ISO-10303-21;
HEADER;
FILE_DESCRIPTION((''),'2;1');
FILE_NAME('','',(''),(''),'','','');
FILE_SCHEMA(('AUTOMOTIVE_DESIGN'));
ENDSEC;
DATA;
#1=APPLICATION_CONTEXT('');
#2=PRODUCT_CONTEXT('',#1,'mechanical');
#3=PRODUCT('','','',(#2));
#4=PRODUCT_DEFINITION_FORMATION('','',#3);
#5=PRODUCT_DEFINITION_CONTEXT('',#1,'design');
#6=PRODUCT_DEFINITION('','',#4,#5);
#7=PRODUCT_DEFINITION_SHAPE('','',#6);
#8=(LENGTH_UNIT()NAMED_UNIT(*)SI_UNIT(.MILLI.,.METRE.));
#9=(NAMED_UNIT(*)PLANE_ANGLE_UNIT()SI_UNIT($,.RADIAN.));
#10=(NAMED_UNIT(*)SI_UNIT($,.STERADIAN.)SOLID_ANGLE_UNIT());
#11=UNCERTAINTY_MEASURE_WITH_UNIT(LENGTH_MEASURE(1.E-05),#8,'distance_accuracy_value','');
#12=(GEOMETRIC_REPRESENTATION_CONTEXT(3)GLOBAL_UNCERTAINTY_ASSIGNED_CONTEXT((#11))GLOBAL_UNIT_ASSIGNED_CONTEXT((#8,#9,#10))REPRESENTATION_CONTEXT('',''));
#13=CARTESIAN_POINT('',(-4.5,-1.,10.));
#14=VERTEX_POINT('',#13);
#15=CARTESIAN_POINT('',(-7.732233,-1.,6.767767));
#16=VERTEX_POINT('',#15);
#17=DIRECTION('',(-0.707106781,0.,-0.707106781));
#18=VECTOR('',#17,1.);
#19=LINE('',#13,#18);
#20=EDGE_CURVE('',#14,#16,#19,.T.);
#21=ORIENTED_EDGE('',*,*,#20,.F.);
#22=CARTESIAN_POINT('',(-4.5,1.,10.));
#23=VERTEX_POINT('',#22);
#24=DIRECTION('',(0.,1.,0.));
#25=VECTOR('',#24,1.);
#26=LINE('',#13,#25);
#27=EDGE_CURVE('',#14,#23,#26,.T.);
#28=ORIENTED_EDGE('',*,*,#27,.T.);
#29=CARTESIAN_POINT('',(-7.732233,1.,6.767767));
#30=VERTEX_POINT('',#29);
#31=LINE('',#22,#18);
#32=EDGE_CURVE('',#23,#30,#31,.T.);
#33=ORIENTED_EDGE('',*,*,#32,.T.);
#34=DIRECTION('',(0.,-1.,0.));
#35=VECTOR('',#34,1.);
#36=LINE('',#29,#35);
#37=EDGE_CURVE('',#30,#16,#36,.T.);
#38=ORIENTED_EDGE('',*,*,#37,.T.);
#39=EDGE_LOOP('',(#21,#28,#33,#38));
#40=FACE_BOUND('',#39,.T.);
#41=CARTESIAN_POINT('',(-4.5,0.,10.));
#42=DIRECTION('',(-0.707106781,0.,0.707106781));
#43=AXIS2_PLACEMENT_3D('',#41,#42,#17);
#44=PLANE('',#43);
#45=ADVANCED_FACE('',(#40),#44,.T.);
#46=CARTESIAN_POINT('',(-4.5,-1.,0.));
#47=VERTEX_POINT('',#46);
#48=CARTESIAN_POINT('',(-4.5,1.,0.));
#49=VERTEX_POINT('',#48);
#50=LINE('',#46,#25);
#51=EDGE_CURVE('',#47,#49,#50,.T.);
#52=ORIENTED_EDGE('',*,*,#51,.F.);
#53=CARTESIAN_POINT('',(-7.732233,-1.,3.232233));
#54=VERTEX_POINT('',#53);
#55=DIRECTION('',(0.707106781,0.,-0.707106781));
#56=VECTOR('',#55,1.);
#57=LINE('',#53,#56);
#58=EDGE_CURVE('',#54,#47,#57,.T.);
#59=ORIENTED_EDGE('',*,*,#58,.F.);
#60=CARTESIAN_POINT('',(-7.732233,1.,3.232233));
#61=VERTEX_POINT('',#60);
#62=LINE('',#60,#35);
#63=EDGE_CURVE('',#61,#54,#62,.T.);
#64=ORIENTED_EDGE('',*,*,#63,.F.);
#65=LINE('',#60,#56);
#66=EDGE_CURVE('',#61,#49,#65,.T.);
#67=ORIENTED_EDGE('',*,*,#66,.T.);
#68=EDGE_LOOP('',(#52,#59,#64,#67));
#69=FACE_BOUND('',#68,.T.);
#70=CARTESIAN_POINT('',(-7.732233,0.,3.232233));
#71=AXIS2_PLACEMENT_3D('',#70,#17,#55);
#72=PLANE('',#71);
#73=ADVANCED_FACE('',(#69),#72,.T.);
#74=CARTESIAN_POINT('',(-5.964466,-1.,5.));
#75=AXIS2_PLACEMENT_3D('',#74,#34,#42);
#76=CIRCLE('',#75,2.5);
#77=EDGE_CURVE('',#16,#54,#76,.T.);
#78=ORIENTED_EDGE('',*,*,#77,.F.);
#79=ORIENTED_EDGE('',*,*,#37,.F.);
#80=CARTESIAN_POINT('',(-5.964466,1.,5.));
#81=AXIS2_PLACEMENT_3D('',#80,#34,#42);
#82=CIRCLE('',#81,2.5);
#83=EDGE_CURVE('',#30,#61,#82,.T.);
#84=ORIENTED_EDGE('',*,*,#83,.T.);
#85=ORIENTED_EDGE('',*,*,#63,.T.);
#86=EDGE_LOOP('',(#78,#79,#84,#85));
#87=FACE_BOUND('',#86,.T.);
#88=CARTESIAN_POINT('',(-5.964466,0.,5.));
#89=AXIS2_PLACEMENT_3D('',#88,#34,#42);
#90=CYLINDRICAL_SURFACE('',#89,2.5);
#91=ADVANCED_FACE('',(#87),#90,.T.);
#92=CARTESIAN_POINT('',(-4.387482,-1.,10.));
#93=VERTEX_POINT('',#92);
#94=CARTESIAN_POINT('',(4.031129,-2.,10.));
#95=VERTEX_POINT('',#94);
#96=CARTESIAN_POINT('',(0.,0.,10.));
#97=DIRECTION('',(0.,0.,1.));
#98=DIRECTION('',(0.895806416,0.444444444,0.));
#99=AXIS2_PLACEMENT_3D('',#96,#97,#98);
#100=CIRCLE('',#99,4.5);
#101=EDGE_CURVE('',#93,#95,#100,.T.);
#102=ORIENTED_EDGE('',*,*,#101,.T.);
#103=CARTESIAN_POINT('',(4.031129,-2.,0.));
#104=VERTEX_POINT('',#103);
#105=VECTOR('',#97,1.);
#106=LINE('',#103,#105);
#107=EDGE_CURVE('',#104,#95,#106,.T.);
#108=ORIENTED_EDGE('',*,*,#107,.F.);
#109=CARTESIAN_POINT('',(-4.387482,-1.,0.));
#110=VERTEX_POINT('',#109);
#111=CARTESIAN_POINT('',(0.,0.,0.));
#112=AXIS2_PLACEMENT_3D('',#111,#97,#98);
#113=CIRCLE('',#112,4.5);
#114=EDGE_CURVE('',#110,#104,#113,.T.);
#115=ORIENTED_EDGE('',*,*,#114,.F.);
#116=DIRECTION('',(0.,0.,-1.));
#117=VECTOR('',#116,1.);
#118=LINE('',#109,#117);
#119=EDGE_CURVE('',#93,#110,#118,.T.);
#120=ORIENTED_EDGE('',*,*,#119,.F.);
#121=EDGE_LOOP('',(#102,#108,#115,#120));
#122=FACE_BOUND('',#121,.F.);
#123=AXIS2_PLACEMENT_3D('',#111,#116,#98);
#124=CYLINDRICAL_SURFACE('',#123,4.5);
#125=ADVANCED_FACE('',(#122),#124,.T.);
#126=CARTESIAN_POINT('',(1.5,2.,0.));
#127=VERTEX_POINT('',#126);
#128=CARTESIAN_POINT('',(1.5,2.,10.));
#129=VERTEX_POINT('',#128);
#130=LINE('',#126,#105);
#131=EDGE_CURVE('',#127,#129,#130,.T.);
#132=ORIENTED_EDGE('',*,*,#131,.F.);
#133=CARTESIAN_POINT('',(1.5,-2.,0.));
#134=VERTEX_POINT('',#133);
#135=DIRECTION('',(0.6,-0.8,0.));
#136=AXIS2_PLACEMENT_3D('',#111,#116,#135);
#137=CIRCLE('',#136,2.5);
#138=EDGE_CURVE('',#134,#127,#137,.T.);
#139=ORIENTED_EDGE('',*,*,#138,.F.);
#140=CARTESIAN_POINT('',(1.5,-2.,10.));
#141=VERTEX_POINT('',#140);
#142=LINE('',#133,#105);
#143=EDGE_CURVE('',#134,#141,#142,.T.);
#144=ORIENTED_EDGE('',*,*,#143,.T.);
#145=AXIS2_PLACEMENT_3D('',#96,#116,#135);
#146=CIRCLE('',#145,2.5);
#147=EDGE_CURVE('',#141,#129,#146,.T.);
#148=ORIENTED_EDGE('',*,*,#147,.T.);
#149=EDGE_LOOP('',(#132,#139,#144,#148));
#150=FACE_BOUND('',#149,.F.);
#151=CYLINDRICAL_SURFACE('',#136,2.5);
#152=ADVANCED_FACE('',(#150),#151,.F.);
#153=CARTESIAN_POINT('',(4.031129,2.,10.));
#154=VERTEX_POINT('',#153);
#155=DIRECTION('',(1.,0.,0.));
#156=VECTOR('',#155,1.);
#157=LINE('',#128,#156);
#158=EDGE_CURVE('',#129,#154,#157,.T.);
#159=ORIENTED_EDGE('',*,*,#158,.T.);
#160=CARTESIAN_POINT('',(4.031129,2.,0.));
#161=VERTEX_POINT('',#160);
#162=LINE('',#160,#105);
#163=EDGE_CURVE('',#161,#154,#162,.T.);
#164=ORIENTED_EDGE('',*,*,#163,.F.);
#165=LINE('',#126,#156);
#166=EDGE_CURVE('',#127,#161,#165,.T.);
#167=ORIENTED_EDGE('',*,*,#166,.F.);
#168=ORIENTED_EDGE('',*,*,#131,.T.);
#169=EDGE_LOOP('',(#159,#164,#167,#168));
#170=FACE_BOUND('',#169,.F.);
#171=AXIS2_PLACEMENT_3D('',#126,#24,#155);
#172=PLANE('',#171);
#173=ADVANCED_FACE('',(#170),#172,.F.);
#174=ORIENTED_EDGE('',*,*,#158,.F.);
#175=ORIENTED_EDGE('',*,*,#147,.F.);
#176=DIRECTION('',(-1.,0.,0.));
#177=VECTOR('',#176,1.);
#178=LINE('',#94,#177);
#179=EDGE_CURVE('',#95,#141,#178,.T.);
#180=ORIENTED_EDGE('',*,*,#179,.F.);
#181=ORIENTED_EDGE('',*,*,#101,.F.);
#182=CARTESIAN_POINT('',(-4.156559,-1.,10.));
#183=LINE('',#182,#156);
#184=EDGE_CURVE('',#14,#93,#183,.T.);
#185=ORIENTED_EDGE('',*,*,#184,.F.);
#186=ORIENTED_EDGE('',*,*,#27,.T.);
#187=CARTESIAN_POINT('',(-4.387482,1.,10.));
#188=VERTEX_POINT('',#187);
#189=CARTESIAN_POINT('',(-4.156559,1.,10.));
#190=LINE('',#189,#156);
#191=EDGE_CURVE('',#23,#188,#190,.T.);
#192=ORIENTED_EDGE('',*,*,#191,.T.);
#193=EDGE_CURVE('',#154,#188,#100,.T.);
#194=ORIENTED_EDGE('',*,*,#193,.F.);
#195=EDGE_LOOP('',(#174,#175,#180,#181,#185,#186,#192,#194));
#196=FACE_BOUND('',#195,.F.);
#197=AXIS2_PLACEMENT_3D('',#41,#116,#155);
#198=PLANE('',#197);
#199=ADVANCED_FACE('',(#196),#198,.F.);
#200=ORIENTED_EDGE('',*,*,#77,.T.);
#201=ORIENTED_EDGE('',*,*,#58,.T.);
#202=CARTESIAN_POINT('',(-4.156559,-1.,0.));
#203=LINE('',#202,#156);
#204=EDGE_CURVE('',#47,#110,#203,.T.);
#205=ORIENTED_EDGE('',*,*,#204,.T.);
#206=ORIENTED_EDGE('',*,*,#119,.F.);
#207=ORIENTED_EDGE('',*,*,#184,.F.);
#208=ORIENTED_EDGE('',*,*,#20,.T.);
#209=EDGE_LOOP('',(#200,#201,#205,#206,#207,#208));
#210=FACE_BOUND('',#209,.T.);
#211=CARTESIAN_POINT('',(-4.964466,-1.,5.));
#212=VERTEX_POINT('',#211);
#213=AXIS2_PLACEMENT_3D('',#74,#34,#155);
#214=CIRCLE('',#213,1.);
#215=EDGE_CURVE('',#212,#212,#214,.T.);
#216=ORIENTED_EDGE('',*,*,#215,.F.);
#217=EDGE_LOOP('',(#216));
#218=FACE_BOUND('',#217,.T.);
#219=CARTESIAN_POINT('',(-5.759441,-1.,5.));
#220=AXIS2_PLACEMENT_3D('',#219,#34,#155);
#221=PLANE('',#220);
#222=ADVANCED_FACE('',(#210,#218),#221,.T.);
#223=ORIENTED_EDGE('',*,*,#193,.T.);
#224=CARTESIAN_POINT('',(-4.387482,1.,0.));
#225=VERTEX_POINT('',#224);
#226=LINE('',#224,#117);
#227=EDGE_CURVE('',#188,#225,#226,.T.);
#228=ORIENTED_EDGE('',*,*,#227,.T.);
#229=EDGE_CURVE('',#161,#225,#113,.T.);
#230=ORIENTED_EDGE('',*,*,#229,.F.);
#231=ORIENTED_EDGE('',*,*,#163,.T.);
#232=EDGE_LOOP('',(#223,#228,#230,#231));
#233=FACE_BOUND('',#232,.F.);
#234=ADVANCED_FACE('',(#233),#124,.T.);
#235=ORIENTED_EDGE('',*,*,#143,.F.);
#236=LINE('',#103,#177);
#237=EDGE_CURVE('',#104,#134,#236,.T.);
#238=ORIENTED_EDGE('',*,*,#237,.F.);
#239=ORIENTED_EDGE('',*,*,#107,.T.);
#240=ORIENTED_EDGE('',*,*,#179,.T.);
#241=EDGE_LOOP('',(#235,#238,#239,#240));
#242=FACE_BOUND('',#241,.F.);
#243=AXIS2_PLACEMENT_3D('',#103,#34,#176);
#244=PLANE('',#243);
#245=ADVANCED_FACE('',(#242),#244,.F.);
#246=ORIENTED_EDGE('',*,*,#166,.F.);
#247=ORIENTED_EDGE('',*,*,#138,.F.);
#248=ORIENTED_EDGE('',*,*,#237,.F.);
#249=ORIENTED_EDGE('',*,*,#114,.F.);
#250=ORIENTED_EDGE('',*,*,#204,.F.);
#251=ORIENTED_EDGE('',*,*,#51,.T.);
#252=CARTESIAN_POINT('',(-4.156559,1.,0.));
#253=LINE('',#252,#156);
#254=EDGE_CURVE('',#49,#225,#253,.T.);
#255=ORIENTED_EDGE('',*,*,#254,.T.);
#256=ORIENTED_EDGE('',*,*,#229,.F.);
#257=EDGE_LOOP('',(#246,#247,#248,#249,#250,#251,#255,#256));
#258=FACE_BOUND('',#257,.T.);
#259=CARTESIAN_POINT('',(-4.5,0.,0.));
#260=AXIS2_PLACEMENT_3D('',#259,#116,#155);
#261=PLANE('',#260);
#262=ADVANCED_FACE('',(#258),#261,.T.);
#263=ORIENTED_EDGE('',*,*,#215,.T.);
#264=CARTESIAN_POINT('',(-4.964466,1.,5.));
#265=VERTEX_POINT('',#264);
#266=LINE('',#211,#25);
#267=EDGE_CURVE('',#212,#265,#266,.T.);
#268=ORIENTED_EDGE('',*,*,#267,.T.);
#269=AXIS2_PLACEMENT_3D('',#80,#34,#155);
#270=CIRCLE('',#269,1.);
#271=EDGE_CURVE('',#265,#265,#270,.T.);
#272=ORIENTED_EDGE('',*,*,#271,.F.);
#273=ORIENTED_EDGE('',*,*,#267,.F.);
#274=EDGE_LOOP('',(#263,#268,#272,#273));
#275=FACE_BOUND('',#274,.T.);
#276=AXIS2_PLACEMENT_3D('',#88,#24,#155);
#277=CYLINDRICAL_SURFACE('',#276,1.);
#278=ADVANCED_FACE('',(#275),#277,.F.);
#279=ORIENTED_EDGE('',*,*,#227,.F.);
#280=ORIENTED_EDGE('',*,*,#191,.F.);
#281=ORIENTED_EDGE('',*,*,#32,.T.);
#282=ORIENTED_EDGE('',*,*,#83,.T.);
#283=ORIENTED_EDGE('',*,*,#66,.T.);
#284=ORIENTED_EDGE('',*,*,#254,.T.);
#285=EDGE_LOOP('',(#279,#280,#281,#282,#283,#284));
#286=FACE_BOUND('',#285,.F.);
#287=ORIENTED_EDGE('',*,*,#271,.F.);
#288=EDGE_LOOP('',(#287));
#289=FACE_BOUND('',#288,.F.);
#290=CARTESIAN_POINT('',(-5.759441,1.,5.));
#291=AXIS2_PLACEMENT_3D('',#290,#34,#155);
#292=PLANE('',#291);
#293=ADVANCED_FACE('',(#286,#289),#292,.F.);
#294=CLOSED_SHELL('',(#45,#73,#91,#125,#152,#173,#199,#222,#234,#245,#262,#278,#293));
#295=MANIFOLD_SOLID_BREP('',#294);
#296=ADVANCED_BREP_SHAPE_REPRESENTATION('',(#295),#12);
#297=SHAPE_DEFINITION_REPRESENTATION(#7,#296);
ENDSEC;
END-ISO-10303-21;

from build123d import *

# Parameters (mm, degrees)
F1_DEPTH = 10
F2_R     = 1
F2_W     = 0.686881559
F2_H     = 10
F3_DEPTH = 1


with BuildPart() as f1:
    # F0 (on Top) → F1 (new body)
    with BuildSketch(Plane.XY):
        with BuildLine():
            Line((1.5, 2), (4.0311288741, 2))
            ThreePointArc((4.0311288741, 2), (-4.5, 0), (4.0311288741, -2))
            Line((4.0311288741, -2), (1.5, -2))
            ThreePointArc((1.5, -2), (-2.5, 0), (1.5, 2))
        make_face()
    extrude(amount=F1_DEPTH)

    # F2 (on Front) → F3 (join, symmetric)
    with BuildSketch(Plane.XZ):
        with BuildLine():
            Line((-4.5, 10), (-7.732233047, 6.767766953))
            ThreePointArc((-7.732233047, 6.767766953), (-8.4644660941, 5), (-7.732233047, 3.232233047))
            Line((-7.732233047, 3.232233047), (-4.5, 0))
            Line((-4.5, 0), (-4.5, 10))
        make_face()
        with Locations((-5.9644660941, 5)):
            Circle(F2_R, mode=Mode.SUBTRACT)
        with Locations((-4.1565592205, 5)):
            Rectangle(F2_W, F2_H)
    extrude(amount=F3_DEPTH, both=True)


solid = f1.part
